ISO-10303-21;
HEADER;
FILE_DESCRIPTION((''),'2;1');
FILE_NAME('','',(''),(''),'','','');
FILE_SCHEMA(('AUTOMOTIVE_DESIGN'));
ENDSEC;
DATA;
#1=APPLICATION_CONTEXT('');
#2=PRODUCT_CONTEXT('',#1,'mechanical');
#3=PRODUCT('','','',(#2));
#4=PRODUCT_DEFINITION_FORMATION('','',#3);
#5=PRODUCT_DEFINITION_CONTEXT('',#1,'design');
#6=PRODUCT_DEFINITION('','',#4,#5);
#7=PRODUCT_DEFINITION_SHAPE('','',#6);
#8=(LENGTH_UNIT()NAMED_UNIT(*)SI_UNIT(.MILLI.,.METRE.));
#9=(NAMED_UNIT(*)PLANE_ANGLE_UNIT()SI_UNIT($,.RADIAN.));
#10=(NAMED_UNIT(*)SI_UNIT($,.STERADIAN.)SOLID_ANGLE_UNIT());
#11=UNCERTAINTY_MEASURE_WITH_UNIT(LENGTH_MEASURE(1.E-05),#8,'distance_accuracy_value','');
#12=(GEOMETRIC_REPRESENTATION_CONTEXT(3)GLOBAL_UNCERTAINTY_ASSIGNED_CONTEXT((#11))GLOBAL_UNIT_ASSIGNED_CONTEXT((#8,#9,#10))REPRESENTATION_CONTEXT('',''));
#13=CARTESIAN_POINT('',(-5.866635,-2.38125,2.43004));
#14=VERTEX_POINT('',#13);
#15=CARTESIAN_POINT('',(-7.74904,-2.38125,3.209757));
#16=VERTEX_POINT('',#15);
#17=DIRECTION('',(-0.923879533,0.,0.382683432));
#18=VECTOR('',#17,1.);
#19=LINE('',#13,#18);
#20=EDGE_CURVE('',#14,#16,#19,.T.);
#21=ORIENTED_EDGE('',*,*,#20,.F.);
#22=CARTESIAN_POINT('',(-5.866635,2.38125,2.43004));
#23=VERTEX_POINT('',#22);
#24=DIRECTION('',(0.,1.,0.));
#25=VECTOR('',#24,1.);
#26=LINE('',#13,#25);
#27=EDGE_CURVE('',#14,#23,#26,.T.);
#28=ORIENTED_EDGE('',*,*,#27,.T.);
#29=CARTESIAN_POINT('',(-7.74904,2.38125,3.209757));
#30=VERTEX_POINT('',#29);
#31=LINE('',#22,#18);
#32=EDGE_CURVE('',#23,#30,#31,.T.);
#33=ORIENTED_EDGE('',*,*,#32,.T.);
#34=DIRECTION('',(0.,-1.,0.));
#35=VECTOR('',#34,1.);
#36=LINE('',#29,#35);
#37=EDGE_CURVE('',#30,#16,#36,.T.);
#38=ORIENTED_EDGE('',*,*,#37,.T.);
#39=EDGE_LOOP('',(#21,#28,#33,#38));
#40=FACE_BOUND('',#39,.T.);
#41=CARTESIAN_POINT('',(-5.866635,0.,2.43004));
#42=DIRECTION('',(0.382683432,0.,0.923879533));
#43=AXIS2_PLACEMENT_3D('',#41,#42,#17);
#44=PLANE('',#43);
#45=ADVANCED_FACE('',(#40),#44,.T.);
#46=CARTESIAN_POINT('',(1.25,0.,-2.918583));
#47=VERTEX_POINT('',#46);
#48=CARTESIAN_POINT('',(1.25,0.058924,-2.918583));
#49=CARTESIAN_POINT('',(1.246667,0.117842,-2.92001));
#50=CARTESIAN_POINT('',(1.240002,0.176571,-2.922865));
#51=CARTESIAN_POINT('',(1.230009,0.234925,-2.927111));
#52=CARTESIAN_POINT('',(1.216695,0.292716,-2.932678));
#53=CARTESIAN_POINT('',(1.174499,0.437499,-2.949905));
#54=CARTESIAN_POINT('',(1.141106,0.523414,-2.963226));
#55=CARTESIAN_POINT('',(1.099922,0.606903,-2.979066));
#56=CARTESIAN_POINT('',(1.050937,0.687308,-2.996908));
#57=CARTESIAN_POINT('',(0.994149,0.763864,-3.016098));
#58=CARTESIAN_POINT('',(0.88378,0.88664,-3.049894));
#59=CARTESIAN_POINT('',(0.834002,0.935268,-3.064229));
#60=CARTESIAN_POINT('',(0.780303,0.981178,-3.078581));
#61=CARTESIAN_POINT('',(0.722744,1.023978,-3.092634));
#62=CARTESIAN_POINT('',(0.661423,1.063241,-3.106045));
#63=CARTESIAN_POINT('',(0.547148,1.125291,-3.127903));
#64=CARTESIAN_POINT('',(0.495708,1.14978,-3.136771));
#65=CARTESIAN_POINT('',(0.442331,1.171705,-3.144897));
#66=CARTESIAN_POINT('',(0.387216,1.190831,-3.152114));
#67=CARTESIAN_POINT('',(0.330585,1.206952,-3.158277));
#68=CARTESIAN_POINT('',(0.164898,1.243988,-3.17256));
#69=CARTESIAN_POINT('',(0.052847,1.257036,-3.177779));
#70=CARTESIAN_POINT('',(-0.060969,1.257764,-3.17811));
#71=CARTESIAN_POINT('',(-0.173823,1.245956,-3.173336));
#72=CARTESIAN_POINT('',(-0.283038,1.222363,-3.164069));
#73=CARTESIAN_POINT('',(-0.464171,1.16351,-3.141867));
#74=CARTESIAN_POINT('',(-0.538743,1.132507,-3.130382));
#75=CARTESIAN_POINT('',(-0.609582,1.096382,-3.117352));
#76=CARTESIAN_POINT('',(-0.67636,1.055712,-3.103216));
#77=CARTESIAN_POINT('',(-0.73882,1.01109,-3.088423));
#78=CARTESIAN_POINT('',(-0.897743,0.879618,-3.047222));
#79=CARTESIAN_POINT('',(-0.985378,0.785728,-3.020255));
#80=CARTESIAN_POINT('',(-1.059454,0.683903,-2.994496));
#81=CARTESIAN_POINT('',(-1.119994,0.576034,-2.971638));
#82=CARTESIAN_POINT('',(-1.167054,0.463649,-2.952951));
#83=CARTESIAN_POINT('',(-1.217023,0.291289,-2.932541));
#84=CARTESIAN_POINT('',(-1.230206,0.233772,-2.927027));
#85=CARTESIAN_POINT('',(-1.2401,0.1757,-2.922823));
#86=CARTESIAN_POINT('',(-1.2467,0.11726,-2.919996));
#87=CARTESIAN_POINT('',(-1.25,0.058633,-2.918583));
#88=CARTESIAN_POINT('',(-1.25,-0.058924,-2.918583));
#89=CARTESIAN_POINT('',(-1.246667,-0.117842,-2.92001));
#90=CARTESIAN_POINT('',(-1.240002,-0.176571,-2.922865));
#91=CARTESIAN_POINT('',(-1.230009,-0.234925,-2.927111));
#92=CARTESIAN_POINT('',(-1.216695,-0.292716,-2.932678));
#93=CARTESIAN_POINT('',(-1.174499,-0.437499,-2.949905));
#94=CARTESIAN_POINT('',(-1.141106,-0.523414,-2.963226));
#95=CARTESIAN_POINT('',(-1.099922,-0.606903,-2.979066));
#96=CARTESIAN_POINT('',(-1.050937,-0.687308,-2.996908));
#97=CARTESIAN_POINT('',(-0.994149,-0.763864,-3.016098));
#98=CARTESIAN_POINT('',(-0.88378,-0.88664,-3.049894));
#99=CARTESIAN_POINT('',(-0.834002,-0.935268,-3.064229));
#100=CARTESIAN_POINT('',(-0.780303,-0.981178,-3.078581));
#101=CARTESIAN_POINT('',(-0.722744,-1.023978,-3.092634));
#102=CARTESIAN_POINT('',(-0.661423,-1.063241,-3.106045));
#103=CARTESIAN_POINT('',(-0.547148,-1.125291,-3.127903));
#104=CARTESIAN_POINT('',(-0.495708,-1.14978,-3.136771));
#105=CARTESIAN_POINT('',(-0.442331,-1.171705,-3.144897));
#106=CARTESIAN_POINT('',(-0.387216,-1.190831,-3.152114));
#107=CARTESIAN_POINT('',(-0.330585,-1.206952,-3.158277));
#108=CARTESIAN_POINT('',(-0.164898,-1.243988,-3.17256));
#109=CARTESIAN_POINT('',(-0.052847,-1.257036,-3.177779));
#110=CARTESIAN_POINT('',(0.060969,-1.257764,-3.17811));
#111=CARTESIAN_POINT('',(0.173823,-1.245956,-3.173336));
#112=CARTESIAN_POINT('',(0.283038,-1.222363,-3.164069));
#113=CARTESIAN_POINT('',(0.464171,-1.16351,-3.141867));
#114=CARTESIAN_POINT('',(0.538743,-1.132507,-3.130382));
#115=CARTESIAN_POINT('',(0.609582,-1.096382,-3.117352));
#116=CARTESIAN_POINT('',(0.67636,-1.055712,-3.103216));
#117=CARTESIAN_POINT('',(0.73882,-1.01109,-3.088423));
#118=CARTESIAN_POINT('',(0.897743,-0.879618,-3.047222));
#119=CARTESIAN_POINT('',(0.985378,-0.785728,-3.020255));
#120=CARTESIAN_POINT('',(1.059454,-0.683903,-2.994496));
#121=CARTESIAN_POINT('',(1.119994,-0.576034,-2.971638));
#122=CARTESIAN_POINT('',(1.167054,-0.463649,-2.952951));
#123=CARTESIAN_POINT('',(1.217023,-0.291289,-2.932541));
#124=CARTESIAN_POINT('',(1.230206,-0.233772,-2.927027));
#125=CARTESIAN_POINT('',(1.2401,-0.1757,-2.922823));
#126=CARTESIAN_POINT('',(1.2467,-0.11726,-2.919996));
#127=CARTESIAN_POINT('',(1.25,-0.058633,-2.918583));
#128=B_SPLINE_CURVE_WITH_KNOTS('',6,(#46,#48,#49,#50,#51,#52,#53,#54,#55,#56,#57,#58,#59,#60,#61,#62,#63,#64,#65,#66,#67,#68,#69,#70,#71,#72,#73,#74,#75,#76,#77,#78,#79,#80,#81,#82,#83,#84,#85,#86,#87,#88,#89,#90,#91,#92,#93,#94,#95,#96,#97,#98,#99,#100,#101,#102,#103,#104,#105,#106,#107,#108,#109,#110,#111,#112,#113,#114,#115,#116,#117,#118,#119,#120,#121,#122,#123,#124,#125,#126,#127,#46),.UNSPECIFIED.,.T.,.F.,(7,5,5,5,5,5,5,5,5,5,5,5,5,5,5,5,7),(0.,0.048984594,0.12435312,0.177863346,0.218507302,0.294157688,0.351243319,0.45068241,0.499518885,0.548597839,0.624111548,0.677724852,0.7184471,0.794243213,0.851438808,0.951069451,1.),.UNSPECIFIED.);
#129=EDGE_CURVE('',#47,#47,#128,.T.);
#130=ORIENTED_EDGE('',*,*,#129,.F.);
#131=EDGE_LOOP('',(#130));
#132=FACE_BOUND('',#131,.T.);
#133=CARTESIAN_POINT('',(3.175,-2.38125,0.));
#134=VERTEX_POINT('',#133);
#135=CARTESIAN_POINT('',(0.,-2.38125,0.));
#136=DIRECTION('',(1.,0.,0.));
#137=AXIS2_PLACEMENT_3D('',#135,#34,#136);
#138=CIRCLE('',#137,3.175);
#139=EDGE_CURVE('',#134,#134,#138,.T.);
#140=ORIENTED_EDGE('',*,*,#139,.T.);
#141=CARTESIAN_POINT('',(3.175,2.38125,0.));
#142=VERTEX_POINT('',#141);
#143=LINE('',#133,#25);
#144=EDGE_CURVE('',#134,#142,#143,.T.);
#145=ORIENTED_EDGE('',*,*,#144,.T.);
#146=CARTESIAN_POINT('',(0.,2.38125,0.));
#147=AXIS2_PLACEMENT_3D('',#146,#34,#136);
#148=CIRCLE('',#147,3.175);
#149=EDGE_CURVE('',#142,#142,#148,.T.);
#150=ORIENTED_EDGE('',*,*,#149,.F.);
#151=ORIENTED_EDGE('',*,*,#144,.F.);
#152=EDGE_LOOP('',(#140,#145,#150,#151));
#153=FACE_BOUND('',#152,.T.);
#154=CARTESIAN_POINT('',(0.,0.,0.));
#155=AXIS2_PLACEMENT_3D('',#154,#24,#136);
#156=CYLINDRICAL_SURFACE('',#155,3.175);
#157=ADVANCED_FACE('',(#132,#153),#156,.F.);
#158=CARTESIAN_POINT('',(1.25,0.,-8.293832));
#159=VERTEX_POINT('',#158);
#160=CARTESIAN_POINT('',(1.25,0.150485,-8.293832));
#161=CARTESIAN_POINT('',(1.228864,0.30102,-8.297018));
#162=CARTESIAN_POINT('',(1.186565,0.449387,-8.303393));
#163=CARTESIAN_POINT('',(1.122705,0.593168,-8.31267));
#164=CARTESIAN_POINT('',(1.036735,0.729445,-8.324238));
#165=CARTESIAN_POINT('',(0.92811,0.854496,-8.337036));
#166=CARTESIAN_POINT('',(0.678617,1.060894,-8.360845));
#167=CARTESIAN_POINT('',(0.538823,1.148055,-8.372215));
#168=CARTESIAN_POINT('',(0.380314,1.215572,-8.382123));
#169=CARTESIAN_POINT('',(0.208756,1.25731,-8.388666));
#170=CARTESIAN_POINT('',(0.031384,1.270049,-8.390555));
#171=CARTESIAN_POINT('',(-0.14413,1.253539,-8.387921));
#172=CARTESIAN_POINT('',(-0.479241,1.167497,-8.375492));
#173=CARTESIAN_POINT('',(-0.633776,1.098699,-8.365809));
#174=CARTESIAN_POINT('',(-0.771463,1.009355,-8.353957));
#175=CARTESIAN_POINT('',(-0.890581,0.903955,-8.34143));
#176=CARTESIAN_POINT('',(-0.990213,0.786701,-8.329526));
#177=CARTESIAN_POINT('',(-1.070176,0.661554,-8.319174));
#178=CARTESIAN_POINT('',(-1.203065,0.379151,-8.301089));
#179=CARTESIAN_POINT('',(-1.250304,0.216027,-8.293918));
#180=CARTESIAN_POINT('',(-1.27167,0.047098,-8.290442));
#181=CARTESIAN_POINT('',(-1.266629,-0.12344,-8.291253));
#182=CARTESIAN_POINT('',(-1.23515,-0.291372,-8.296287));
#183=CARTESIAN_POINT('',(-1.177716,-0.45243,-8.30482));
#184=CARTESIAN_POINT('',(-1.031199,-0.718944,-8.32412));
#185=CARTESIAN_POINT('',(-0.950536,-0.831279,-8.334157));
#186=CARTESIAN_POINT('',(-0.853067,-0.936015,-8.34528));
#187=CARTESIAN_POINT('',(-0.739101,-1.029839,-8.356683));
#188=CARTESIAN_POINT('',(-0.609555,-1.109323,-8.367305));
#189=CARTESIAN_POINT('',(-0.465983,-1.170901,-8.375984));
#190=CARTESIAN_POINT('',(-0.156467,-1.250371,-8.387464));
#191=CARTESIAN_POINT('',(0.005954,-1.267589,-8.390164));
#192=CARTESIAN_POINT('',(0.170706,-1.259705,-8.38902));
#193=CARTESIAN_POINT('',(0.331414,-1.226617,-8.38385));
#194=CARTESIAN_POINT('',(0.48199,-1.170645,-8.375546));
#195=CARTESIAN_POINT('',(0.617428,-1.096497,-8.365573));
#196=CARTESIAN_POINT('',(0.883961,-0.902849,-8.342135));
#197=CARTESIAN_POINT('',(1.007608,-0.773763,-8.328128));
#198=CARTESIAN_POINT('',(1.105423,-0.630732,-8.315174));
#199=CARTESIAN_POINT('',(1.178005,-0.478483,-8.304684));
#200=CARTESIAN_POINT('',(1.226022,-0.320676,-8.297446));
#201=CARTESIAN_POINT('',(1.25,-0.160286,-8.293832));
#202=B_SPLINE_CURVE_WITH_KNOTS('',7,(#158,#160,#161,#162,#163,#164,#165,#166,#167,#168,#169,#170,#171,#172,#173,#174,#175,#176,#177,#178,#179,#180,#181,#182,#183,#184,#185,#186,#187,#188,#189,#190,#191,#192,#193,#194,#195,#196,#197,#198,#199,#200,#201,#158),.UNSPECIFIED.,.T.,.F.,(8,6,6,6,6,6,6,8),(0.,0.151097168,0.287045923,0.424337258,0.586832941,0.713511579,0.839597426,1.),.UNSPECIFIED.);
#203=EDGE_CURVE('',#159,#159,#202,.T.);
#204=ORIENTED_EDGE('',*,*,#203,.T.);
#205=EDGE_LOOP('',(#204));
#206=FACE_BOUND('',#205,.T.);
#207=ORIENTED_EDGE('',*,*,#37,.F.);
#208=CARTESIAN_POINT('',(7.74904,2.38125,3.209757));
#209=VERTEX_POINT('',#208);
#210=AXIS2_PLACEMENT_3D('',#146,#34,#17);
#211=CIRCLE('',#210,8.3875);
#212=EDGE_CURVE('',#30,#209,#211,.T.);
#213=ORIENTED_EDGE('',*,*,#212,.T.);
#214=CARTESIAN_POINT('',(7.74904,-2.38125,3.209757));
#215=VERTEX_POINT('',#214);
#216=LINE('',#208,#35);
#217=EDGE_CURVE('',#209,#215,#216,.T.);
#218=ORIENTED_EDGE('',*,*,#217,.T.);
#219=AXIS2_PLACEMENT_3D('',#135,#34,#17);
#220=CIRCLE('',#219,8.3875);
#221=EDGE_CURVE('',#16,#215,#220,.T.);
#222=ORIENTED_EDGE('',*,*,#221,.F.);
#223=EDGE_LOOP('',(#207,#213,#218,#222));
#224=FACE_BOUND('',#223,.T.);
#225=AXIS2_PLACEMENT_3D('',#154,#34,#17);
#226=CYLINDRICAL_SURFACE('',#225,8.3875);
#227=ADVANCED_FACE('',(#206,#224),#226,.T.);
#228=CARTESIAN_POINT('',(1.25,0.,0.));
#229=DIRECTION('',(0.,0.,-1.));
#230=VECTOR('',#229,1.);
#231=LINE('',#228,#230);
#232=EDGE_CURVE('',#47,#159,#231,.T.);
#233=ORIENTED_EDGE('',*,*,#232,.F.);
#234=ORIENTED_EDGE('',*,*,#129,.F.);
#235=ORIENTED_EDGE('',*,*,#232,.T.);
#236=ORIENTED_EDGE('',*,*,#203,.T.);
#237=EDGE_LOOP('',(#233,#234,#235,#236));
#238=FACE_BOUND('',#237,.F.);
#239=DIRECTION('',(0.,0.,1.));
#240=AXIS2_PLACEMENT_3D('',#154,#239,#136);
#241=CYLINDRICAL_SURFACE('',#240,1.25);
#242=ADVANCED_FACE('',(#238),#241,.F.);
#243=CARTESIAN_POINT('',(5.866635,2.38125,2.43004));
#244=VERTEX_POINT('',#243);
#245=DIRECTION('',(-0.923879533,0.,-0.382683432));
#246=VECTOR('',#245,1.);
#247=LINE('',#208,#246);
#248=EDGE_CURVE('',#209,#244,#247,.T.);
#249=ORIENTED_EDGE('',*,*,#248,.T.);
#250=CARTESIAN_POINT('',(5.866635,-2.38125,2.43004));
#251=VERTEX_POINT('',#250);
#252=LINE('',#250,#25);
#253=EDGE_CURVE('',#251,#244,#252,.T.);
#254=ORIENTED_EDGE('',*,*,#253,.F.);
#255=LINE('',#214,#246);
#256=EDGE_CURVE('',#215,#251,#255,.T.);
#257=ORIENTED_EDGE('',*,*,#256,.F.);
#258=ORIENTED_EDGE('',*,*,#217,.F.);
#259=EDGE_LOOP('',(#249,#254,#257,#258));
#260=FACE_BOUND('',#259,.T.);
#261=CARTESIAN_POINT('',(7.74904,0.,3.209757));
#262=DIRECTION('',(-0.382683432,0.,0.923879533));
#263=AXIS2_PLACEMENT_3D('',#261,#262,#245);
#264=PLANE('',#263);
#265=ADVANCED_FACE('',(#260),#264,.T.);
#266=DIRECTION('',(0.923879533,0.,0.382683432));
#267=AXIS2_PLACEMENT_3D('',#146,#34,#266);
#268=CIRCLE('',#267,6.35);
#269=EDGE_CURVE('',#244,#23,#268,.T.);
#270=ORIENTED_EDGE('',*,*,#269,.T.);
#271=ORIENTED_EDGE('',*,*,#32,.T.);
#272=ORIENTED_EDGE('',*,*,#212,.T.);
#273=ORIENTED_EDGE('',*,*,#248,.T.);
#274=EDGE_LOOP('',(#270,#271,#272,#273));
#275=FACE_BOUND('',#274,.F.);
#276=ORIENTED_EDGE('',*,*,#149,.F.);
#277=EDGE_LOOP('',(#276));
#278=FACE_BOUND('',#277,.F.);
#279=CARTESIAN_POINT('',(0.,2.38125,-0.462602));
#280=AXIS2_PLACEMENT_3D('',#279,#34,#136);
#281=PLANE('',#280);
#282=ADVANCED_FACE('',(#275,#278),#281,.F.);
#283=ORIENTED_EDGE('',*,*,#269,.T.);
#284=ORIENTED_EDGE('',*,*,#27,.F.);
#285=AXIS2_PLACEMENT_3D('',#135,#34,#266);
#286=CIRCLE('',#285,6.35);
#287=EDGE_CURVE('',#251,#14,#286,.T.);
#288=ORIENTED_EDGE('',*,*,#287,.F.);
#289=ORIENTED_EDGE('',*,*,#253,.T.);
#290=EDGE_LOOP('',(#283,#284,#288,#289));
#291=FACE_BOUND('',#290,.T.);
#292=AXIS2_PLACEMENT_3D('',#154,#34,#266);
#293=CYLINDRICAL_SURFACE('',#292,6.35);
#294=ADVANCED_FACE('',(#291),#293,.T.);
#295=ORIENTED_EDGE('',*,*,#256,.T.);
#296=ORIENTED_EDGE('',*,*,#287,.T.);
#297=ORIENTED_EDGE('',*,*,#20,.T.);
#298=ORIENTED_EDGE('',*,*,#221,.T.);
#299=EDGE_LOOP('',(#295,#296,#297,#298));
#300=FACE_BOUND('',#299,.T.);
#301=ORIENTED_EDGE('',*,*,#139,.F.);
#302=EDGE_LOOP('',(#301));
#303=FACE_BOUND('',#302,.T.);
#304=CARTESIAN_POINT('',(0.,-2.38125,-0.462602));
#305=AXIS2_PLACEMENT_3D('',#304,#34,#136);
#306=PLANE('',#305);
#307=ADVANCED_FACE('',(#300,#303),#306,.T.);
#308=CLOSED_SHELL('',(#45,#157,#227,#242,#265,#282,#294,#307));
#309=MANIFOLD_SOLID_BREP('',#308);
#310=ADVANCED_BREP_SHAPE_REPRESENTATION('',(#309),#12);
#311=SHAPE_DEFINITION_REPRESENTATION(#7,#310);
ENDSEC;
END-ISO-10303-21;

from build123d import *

# Parameters (mm, degrees)
F0_R     = 3.175
F1_DEPTH = 2.38125
F3_D     = 2.5
F3_DEPTH = 8.3885


with BuildPart() as f1:
    # F0 (on Front) → F1 (new body, symmetric)
    with BuildSketch(Plane.XZ):
        with BuildLine():
            Line((-5.8666350314, 2.4300397955), (-7.7490395789, 3.209757289))
            ThreePointArc((-7.7490395789, 3.209757289), (0, -8.3875), (7.7490395789, 3.209757289))
            Line((7.7490395789, 3.209757289), (5.8666350314, 2.4300397955))
            ThreePointArc((5.8666350314, 2.4300397955), (0, 6.35), (-5.8666350314, 2.4300397955))
        make_face()
        Circle(F0_R, mode=Mode.SUBTRACT)
    extrude(amount=F1_DEPTH, both=True)

    # F3 (through all, one way)
    with BuildSketch(Plane.XY):
        with Locations((0, 0)):
            Circle(F3_D / 2)
    extrude(amount=-F3_DEPTH, mode=Mode.SUBTRACT)


solid = f1.part
